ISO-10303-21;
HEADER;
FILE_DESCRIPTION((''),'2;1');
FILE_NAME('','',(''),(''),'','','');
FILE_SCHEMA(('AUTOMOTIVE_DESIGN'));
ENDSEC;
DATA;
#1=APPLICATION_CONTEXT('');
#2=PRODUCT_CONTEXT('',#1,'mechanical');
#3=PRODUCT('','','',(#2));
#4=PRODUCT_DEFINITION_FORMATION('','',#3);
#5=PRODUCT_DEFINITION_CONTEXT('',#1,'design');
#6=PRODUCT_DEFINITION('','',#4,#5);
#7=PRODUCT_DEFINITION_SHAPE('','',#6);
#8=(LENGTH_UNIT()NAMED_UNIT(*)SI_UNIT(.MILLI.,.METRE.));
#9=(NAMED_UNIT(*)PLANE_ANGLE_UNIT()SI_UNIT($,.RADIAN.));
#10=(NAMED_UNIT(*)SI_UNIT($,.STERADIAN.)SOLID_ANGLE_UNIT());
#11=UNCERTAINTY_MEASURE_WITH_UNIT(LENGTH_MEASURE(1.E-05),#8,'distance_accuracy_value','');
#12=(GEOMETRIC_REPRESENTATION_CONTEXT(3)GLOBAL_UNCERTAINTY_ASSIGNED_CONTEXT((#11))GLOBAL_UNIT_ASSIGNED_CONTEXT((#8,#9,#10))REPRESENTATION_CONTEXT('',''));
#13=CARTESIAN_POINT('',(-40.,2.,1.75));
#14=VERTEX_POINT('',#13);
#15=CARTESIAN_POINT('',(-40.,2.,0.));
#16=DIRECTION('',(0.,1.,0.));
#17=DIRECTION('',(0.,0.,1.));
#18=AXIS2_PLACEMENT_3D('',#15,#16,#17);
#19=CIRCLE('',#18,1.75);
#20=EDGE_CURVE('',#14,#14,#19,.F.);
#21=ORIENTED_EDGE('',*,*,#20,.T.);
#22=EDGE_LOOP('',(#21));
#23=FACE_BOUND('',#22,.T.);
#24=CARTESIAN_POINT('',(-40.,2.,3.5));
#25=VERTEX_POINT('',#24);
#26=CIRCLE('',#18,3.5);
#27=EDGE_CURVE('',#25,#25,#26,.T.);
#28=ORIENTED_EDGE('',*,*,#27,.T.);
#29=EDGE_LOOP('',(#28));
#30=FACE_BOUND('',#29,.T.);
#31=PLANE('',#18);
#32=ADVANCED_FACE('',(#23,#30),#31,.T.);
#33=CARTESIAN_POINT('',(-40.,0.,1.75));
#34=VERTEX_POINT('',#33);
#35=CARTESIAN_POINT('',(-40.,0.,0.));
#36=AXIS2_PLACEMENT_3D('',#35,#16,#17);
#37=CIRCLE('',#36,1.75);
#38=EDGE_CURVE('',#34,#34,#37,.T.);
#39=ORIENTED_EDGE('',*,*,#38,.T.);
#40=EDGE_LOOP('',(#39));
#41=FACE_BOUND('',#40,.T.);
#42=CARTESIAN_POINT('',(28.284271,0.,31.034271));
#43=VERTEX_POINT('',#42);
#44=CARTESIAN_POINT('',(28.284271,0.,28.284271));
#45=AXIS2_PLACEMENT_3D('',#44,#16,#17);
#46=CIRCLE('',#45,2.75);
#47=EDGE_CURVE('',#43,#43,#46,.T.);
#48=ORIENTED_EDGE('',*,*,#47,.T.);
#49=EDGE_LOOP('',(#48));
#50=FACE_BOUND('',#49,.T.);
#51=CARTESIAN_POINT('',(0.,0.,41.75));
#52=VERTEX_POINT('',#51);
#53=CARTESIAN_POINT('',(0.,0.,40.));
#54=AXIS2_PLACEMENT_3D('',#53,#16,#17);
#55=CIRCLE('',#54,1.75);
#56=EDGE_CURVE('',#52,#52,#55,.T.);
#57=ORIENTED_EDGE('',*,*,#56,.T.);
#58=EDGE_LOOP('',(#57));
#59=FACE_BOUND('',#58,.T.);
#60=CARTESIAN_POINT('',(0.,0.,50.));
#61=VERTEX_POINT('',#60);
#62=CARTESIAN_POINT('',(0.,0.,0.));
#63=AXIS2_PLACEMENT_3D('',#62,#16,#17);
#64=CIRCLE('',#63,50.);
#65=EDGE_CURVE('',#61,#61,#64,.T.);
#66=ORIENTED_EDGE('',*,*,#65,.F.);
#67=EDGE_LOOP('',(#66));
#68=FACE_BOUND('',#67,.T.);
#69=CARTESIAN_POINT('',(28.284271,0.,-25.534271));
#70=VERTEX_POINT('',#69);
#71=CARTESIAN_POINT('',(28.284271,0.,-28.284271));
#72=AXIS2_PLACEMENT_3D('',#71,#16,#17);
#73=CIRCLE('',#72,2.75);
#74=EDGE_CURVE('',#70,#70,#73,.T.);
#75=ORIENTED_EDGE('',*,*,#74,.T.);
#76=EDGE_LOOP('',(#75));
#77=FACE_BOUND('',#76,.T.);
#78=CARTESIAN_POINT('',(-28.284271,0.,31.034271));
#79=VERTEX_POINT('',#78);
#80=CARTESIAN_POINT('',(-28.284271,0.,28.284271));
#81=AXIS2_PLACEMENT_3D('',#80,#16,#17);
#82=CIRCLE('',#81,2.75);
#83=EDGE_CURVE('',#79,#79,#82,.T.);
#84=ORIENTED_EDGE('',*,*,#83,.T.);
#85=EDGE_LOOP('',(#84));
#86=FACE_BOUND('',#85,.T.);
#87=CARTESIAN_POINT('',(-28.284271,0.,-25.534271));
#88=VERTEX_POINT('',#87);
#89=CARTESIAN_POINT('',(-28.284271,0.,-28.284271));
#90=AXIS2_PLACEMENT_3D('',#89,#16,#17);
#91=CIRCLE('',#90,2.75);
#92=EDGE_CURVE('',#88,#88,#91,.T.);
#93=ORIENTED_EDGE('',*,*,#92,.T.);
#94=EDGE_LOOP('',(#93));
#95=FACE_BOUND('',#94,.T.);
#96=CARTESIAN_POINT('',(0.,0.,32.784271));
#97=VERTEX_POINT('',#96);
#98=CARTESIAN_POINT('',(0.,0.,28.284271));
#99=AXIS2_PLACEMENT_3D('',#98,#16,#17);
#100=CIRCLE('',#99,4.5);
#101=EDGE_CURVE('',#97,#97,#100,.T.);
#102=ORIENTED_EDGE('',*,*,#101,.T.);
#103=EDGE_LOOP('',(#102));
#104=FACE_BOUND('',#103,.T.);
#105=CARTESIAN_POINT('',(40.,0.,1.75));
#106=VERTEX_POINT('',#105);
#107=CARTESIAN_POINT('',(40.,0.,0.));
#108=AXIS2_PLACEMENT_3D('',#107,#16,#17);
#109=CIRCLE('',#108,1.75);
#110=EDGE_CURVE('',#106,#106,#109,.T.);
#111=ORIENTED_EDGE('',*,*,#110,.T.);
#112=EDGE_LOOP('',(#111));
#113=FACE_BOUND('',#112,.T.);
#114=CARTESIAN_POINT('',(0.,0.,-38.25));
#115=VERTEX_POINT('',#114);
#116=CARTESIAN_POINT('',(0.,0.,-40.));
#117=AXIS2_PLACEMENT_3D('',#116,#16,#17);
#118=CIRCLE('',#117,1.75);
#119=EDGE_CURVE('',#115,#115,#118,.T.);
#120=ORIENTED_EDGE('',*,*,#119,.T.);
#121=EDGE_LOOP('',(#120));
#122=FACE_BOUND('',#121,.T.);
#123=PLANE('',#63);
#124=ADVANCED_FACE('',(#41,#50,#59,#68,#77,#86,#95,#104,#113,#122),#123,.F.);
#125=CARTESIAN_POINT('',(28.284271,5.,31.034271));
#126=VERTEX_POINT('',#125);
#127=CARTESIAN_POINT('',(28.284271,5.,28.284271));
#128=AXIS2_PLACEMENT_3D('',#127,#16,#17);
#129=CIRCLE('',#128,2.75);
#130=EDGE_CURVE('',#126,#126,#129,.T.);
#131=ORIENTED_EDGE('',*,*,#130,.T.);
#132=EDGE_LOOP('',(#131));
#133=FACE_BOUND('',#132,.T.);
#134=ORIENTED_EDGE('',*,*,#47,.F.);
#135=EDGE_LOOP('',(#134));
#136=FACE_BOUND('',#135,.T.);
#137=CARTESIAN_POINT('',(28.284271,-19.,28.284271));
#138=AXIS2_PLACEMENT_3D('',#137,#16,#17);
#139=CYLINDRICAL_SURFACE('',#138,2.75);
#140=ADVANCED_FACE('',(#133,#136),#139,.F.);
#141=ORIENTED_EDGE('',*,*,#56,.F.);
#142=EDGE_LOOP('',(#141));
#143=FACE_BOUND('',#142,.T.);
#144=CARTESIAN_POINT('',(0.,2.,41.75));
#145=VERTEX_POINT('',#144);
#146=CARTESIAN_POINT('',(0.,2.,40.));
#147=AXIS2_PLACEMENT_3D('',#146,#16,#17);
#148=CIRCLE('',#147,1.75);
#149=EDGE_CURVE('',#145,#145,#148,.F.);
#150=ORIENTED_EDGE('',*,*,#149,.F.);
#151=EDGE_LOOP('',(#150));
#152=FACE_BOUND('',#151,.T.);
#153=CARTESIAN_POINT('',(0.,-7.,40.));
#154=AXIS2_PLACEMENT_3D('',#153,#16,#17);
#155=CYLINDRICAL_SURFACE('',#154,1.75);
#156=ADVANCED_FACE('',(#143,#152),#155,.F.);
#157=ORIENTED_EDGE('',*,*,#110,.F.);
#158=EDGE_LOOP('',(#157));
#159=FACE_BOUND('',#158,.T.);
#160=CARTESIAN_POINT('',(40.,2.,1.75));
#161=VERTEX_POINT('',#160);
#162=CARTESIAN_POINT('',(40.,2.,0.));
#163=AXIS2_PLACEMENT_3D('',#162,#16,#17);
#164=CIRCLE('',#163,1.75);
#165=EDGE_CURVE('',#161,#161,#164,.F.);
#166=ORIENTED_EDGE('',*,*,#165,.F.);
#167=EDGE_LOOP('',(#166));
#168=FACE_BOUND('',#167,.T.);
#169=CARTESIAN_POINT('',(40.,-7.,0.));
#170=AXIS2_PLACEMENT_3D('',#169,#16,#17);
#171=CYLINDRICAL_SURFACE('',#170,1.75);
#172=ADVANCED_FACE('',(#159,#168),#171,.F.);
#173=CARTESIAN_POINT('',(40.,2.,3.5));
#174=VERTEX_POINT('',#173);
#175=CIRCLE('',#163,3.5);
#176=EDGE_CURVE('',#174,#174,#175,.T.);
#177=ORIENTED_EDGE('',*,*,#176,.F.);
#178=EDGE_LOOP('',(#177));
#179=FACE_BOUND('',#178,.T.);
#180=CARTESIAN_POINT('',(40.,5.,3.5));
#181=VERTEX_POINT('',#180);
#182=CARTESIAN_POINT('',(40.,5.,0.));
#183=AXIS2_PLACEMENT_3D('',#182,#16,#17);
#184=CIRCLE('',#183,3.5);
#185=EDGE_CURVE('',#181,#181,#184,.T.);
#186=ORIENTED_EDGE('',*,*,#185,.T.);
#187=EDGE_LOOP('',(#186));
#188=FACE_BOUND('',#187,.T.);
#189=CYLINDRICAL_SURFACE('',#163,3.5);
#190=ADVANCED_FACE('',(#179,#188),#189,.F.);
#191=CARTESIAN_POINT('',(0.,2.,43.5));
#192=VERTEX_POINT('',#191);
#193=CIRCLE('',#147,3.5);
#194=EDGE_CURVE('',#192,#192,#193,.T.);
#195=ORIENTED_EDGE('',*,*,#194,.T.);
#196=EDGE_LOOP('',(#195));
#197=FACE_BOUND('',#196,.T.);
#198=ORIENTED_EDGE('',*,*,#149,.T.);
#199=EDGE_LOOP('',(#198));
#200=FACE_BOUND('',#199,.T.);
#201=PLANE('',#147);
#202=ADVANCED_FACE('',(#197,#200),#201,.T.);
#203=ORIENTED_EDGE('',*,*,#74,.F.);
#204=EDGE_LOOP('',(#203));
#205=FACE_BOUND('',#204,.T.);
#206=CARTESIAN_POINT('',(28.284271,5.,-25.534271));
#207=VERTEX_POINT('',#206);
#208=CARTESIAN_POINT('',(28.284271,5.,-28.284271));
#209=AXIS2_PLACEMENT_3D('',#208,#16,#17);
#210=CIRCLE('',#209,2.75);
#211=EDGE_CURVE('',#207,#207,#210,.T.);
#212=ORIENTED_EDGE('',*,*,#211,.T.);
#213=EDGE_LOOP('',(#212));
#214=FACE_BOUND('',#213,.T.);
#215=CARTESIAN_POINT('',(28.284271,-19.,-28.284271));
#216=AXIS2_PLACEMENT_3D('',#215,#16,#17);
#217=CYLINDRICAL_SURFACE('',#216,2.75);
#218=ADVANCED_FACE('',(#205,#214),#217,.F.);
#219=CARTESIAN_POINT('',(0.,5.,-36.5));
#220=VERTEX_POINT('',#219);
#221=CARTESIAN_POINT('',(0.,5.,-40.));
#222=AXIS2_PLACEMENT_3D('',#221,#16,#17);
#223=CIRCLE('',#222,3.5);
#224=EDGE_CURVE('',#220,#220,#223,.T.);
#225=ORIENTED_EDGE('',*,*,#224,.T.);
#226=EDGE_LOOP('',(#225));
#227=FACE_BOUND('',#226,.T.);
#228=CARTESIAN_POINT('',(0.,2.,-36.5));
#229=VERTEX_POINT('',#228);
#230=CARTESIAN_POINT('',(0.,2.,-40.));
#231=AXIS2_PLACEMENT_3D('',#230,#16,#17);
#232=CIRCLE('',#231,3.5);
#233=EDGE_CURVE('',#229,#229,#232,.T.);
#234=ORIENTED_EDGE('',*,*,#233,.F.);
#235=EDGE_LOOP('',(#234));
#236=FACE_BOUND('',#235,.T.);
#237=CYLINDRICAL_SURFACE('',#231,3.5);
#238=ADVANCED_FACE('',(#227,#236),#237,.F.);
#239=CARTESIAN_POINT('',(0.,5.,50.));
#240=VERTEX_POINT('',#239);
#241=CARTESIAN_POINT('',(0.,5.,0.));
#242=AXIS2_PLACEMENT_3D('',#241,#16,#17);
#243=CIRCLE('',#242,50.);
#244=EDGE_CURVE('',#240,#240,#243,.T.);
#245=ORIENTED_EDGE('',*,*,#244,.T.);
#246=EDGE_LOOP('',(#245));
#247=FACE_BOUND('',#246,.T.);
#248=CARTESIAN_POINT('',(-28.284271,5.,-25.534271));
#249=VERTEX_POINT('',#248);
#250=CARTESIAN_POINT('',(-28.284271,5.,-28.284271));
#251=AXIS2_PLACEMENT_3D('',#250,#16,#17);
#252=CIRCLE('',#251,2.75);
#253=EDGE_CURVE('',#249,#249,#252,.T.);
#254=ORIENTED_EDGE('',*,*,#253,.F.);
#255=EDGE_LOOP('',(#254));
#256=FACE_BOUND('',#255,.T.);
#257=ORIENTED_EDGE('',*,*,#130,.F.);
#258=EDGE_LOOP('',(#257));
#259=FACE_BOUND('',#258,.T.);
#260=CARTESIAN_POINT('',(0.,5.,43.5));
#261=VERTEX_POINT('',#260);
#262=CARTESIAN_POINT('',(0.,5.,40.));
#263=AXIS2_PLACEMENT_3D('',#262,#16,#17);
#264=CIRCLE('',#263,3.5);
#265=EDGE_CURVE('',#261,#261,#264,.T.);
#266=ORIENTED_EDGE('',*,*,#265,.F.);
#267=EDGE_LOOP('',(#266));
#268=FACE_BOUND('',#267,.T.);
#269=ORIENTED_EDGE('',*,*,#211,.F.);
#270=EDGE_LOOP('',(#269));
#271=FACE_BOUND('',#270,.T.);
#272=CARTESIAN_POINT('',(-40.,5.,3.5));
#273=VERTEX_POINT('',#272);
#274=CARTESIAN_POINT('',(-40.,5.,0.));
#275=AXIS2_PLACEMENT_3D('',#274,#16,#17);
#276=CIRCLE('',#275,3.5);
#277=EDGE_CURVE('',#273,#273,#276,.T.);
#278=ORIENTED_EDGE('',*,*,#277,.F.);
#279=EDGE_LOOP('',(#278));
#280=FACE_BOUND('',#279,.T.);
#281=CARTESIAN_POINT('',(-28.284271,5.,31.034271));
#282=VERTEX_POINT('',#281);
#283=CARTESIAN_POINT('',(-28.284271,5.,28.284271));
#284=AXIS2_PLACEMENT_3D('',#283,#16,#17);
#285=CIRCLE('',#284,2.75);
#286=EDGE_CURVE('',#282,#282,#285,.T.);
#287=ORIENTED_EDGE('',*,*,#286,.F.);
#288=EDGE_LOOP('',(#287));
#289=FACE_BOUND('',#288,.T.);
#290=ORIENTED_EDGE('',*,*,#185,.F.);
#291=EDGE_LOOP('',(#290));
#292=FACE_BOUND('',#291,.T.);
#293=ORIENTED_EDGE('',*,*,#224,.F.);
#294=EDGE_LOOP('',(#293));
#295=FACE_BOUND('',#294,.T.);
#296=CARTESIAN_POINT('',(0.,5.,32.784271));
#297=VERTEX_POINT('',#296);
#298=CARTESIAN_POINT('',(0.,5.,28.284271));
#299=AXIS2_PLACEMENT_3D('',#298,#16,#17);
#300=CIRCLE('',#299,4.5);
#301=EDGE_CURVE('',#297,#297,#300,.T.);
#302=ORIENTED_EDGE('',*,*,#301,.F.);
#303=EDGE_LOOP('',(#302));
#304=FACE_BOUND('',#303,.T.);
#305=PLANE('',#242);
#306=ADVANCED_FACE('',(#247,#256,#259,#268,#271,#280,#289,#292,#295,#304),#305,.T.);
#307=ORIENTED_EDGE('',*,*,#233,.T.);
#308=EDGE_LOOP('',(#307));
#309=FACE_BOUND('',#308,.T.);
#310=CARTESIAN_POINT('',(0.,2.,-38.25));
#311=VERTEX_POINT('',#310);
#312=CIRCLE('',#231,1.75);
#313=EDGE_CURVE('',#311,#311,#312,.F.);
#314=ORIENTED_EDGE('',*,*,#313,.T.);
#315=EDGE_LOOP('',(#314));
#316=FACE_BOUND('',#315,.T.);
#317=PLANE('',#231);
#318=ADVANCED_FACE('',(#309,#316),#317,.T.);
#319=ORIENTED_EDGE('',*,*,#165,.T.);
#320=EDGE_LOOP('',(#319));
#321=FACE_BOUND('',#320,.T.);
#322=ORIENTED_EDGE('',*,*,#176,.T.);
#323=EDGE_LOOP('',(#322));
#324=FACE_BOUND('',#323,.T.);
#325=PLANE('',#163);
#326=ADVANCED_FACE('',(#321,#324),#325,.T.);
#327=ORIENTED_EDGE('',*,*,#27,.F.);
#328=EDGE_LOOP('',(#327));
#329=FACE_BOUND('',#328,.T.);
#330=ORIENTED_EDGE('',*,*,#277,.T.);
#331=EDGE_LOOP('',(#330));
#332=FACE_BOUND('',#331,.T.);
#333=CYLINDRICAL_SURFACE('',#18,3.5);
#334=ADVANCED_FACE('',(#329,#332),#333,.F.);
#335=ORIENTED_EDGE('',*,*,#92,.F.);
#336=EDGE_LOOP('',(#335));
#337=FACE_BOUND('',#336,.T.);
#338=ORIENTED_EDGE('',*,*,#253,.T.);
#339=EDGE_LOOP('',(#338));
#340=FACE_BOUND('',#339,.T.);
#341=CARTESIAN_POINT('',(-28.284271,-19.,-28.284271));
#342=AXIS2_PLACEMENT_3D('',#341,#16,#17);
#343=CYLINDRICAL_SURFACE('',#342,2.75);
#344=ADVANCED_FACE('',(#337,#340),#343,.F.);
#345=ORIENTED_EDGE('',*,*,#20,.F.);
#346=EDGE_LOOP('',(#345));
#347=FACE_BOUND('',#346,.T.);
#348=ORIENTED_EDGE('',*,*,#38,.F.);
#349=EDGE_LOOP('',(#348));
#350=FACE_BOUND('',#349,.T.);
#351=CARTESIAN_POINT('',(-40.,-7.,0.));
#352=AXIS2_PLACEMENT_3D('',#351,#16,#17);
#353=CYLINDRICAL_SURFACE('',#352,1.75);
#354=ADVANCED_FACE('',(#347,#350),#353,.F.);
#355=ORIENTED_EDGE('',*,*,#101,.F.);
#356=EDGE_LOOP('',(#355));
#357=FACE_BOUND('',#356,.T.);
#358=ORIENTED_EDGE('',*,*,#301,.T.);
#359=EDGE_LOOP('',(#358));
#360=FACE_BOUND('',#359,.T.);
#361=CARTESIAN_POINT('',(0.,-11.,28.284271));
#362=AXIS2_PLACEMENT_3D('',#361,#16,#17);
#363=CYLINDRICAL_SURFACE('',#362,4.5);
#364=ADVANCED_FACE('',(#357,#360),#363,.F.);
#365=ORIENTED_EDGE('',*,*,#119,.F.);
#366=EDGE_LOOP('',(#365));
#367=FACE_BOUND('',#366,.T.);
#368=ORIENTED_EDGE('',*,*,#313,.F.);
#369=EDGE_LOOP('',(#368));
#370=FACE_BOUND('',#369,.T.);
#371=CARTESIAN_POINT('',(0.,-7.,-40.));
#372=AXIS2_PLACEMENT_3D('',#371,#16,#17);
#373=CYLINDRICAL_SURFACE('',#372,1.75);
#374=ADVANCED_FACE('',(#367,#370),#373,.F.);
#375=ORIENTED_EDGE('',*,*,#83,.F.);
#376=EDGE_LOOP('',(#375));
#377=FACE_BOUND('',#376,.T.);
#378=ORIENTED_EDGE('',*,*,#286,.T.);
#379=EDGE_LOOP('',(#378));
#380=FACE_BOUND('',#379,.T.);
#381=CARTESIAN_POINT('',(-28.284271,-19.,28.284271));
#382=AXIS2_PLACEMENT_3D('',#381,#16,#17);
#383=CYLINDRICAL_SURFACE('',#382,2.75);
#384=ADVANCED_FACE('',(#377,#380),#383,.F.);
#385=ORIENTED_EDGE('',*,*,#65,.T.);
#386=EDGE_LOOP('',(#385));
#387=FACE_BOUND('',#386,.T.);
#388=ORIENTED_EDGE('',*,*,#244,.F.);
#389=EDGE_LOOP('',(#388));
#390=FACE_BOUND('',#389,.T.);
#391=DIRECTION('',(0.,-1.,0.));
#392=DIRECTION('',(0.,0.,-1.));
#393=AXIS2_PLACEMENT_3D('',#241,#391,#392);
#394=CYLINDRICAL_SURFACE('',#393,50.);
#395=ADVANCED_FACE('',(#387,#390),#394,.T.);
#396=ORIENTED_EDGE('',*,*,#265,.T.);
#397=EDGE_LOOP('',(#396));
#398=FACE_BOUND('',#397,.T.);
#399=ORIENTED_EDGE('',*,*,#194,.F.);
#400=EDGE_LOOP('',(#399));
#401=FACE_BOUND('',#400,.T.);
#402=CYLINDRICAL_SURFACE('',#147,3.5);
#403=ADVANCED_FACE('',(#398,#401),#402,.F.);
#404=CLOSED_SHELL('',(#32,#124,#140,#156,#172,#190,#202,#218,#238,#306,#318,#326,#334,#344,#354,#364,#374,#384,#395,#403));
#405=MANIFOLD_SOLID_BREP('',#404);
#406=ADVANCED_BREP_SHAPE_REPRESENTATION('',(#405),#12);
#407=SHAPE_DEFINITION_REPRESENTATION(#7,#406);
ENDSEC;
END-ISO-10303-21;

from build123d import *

# Parameters (mm, degrees)
SKETCH_1_R          = 50
EXTRUDE_1_DEPTH     = 5
SKETCH_2_R          = 1.75
CUT_EXTRUDE_1_DEPTH = 12
SKETCH_3_R          = 3.5
CUT_EXTRUDE_2_DEPTH = 3
SKETCH_4_R          = 2.75
CUT_EXTRUDE_3_DEPTH = 24
SKETCH_5_R          = 4.5
CUT_EXTRUDE_4_DEPTH = 16


with BuildPart() as part:
    # 草图1 → 凸台-拉伸1 (new body)
    with BuildSketch(Plane(origin=(0, 0, 0), x_dir=(1, 0, 0), z_dir=(0, 1, 0))):
        with Locations(Location((0, 0, 0), (0, 0, 270))):
            Circle(SKETCH_1_R)
    extrude(amount=EXTRUDE_1_DEPTH)

    # 草图2 → 切除-拉伸1 (cut)
    with BuildSketch(Plane(origin=(0, 5, 0), x_dir=(1, 0, 0), z_dir=(0, 1, 0))):
        with Locations(Location((0, 40, 0), (0, 0, 270))):
            Circle(SKETCH_2_R)
        with Locations(Location((40, 0, 0), (0, 0, 270))):
            Circle(SKETCH_2_R)
        with Locations(Location((0, -40, 0), (0, 0, 270))):
            Circle(SKETCH_2_R)
        with Locations(Location((-40, 0, 0), (0, 0, 270))):
            Circle(SKETCH_2_R)
    extrude(amount=-CUT_EXTRUDE_1_DEPTH, mode=Mode.SUBTRACT)

    # 草图3 → 切除-拉伸2 (cut)
    with BuildSketch(Plane(origin=(0, 5, 0), x_dir=(1, 0, 0), z_dir=(0, 1, 0))):
        with Locations(Location((0, 40, 0), (0, 0, 270))):
            Circle(SKETCH_3_R)
        with Locations(Location((40, 0, 0), (0, 0, 270))):
            Circle(SKETCH_3_R)
        with Locations(Location((0, -40, 0), (0, 0, 270))):
            Circle(SKETCH_3_R)
        with Locations(Location((-40, 0, 0), (0, 0, 270))):
            Circle(SKETCH_3_R)
    extrude(amount=-CUT_EXTRUDE_2_DEPTH, mode=Mode.SUBTRACT)

    # 草图4 → 切除-拉伸3 (cut)
    with BuildSketch(Plane(origin=(0, 5, 0), x_dir=(1, 0, 0), z_dir=(0, 1, 0))):
        with Locations(Location((28.284271247, 28.284271247, 0), (0, 0, 270))):
            Circle(SKETCH_4_R)
        with Locations(Location((28.284271247, -28.284271247, 0), (0, 0, 270))):
            Circle(SKETCH_4_R)
        with Locations(Location((-28.284271247, -28.284271247, 0), (0, 0, 270))):
            Circle(SKETCH_4_R)
        with Locations(Location((-28.284271247, 28.284271247, 0), (0, 0, 270))):
            Circle(SKETCH_4_R)
    extrude(amount=-CUT_EXTRUDE_3_DEPTH, mode=Mode.SUBTRACT)

    # 草图5 → 切除-拉伸4 (cut)
    with BuildSketch(Plane(origin=(0, 5, 0), x_dir=(1, 0, 0), z_dir=(0, 1, 0))):
        with Locations(Location((0, -28.284271247, 0), (0, 0, 270))):
            Circle(SKETCH_5_R)
    extrude(amount=-CUT_EXTRUDE_4_DEPTH, mode=Mode.SUBTRACT)


solid = part.part
